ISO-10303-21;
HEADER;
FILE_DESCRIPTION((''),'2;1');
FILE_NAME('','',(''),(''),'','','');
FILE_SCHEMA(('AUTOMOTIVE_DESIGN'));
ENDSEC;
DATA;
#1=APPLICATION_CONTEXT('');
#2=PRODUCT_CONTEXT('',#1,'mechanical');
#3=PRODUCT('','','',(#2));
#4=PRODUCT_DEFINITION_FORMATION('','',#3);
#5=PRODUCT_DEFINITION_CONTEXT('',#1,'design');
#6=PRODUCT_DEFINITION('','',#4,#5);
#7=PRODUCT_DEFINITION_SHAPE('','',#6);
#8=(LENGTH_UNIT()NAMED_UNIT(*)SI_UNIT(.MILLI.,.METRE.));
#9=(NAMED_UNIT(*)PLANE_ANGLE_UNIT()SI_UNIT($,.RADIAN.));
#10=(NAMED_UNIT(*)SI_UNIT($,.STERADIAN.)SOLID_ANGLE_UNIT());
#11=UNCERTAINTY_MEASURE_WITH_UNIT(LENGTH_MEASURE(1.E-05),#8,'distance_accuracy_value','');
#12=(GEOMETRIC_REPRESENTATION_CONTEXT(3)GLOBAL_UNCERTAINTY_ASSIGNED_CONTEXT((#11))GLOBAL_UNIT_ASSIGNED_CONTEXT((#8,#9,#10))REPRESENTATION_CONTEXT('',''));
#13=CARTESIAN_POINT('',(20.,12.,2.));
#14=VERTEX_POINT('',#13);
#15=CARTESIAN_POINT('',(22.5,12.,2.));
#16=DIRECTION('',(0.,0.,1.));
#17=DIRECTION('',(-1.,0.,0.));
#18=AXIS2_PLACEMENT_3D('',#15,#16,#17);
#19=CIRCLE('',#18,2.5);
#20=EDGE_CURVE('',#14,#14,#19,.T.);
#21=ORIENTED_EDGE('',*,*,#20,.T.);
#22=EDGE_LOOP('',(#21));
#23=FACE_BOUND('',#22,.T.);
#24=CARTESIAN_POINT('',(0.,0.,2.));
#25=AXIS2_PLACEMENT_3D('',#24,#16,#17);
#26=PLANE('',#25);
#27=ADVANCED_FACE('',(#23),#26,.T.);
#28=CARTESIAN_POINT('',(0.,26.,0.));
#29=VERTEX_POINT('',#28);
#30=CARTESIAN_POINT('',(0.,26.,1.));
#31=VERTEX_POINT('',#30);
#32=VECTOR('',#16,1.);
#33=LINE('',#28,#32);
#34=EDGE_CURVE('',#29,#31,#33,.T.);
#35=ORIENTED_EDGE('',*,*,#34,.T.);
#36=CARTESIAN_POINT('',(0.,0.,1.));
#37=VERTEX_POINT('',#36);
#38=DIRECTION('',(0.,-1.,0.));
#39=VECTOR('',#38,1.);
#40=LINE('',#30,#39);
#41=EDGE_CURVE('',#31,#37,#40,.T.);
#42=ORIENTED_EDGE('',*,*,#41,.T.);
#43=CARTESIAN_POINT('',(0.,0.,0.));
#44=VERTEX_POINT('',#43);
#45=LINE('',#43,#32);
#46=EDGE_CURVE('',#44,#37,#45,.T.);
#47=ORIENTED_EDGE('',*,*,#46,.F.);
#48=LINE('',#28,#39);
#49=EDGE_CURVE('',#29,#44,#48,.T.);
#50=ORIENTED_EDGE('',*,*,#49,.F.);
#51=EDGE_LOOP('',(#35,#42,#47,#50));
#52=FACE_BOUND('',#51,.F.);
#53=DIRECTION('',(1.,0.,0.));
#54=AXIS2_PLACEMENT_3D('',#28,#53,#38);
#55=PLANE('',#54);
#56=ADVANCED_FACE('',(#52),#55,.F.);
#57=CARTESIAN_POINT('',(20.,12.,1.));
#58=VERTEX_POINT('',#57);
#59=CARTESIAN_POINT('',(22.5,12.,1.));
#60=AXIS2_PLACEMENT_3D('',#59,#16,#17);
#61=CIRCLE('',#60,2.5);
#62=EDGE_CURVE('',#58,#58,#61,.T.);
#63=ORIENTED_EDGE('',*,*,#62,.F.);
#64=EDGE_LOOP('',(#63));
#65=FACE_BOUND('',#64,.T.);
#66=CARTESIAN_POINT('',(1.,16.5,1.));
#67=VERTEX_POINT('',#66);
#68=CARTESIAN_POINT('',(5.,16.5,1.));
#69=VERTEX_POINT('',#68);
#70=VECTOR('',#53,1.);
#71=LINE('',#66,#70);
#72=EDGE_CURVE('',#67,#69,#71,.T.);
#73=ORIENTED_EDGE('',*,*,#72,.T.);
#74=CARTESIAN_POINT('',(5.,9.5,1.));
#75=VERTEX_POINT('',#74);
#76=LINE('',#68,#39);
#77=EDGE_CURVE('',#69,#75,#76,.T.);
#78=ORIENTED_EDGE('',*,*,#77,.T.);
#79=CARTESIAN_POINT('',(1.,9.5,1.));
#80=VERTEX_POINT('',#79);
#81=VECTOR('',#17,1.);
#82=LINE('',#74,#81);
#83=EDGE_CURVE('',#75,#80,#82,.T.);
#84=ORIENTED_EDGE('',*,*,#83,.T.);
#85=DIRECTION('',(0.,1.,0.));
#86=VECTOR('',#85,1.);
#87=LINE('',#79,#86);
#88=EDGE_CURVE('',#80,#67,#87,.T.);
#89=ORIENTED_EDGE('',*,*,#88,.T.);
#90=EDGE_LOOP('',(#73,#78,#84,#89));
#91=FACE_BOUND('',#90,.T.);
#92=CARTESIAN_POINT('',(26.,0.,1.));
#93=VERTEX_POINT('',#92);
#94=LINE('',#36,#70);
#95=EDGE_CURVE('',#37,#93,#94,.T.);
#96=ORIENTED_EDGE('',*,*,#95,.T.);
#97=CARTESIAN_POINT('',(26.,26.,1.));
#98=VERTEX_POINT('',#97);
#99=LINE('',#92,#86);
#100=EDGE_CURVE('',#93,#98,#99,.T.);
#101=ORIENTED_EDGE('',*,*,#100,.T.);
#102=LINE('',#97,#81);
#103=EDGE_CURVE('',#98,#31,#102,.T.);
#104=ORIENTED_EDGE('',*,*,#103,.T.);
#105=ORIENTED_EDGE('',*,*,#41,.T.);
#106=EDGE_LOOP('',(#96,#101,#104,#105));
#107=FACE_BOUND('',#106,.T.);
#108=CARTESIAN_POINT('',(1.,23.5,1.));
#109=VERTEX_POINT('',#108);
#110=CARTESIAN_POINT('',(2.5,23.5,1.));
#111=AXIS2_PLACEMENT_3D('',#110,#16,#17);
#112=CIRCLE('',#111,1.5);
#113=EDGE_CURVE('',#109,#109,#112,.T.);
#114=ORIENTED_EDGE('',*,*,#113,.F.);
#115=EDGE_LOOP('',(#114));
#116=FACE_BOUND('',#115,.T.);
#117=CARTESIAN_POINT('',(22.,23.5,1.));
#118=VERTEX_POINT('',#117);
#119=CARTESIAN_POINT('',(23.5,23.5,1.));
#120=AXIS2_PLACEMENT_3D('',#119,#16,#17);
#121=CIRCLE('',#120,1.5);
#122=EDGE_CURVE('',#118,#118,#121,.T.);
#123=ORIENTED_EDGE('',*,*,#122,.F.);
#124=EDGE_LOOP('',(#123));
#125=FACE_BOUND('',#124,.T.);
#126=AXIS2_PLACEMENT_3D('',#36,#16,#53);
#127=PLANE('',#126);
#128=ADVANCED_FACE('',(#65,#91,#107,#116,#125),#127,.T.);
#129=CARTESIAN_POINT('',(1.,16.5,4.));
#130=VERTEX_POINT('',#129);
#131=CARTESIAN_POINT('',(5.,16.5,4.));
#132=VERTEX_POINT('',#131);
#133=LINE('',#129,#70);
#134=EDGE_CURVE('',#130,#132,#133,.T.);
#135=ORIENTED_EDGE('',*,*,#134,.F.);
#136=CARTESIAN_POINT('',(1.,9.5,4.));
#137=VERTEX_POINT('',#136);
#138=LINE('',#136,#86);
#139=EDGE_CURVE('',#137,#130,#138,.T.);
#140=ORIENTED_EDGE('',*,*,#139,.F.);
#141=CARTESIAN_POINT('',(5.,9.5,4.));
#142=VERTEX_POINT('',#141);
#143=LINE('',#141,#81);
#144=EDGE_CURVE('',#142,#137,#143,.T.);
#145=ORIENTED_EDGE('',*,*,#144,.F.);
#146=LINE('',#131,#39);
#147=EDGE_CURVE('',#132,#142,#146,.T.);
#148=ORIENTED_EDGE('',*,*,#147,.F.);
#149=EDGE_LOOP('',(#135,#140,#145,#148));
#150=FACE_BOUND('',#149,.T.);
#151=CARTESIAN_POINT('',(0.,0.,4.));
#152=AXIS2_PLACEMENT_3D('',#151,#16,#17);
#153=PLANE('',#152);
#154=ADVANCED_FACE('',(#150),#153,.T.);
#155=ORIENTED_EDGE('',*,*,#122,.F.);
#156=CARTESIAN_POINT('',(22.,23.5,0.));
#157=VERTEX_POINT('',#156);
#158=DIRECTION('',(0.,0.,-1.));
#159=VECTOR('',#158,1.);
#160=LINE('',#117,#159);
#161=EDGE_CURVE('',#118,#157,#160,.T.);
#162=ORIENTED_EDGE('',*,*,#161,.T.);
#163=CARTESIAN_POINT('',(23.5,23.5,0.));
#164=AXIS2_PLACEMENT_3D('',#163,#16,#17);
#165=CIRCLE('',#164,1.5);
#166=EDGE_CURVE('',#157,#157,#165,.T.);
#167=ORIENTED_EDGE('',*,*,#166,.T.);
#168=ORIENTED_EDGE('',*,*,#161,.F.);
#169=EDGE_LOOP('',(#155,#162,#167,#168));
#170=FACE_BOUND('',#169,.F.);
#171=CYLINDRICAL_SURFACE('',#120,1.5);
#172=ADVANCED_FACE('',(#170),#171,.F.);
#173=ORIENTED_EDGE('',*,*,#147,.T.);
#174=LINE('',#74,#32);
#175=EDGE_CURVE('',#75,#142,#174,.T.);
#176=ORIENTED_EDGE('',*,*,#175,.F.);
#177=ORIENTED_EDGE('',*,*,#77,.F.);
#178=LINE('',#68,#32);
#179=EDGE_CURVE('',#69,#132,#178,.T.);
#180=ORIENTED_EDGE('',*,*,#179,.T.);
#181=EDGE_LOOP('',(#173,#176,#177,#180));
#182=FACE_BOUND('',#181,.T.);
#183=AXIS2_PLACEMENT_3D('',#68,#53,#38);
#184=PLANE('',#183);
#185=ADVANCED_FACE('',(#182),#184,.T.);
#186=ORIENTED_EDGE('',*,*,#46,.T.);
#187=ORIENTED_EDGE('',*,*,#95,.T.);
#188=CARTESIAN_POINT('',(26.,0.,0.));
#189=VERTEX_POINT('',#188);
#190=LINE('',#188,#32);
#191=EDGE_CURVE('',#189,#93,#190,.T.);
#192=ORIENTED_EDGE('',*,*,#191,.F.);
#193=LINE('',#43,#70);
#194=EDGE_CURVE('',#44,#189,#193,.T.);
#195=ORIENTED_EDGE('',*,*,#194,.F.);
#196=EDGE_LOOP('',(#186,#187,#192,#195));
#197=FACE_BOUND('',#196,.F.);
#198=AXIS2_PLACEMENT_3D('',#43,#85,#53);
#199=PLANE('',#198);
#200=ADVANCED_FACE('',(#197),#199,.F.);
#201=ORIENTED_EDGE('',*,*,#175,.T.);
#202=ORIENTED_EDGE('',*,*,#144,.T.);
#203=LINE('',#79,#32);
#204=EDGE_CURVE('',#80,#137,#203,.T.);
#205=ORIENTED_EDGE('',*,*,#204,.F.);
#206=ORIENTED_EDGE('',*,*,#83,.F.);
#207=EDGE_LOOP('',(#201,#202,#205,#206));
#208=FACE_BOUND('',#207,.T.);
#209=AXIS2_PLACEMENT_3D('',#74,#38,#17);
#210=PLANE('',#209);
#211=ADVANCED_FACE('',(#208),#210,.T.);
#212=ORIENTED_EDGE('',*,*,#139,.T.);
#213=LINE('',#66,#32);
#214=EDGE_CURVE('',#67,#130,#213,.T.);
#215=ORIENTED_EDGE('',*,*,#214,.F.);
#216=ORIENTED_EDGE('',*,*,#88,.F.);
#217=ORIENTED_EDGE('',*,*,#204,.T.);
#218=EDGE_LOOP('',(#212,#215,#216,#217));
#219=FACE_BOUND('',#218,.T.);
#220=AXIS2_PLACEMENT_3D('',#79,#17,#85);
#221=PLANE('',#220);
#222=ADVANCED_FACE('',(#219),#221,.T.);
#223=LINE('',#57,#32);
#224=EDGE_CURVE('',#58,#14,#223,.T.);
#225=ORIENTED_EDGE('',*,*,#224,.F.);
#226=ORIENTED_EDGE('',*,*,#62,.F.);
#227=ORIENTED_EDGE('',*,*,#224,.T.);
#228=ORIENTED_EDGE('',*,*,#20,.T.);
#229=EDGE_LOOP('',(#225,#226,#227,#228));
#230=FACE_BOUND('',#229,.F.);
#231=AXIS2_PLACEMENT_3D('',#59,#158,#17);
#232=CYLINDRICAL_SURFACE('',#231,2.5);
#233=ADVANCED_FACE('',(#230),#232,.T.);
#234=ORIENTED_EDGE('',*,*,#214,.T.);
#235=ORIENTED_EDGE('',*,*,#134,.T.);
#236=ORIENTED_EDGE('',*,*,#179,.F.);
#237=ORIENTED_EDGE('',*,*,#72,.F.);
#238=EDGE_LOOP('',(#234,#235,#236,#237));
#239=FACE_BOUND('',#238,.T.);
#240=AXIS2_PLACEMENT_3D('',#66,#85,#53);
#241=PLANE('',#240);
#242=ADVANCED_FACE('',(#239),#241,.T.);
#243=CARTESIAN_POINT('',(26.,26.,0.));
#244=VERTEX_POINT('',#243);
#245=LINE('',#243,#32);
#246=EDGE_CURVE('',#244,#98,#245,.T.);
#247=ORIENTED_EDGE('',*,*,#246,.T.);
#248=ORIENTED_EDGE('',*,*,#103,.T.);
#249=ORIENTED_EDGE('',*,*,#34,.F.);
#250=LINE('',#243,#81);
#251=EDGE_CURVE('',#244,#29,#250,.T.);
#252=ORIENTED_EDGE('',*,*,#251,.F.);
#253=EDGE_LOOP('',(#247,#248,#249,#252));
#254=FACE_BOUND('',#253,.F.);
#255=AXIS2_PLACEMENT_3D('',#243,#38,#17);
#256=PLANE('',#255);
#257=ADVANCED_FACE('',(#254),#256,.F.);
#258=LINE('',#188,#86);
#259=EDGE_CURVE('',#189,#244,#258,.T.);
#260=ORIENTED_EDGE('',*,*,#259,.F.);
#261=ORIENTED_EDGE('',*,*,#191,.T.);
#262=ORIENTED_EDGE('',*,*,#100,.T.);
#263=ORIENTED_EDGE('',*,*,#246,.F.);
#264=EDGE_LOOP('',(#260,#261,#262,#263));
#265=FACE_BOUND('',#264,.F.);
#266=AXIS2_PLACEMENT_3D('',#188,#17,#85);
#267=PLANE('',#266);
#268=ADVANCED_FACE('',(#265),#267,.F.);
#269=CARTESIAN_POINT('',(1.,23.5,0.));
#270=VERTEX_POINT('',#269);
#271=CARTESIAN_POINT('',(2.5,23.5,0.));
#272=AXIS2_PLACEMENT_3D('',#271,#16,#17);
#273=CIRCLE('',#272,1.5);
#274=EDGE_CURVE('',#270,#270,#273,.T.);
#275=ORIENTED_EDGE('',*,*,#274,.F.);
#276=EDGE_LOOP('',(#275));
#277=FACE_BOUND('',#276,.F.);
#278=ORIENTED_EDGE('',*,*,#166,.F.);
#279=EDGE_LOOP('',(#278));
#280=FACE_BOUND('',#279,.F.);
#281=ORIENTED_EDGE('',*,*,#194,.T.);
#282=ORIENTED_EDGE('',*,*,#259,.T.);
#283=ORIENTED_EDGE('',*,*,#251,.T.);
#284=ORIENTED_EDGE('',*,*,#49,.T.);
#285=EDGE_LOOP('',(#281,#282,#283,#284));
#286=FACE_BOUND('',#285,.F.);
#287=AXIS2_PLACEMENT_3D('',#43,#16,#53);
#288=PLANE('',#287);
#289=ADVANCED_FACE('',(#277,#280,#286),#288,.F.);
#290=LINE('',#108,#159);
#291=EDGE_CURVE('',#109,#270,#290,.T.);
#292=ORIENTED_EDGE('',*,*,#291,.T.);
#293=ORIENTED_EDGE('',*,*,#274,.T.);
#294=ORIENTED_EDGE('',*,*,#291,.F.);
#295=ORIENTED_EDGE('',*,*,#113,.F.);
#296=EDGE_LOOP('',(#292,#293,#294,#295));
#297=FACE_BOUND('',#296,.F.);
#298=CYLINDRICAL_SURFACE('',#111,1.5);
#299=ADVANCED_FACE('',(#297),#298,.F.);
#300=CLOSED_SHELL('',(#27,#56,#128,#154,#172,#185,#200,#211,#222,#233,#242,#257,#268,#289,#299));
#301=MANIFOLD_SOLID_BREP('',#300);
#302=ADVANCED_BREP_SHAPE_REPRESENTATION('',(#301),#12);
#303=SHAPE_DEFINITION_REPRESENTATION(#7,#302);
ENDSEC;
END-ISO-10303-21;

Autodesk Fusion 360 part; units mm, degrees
sketch "Sketch1" plane through (0, 0, 0) normal (0, 0, 1) x (1, 0, 0)
  line L0 (0, 0) -> (26, 0)
  line L1 (26, 0) -> (26, 26)
  line L2 (26, 26) -> (0, 26)
  line L3 (0, 26) -> (0, 0)
  dimension "d1" = 26
  dimension "d2" = 26
extrude "Extrude1" add sketch "Sketch1" along normal blind 1
sketch "Sketch2" plane through (0, 0, 1) normal (0, 0, 1) x (-1, 0, 0)
  line L0 (0, -26) -> (0, 0)
  line L1 (0, 0) -> (-26, 0)
  line L2 (-26, 0) -> (-26, -26)
  line L3 (-26, -26) -> (0, -26)
  circle A0 centre (-23.5, -23.5) radius 1.5
  circle A1 centre (-2.5, -23.5) radius 1.5
  dimension "d5" = 3
  dimension "d6" = 3
  dimension "d7" = 2.5
  dimension "d8" = 2.5
  dimension "d9" = 2.5
  dimension "d10" = 2.5
extrude "Extrude2" cut sketch "Sketch2" against normal blind 4 contours A0 | A1
sketch "Sketch3" plane through (0, 0, 1) normal (0, 0, 1) x (-1, 0, 0)
  circle A0 centre (-2.5, -23.5) radius 1.5
  circle A1 centre (-23.5, -23.5) radius 1.5
  line L0 (0, -26) -> (0, 0)
  line L1 (0, 0) -> (-26, 0)
  line L2 (-26, 0) -> (-26, -26)
  line L3 (-26, -26) -> (0, -26)
  line L4 (-1, -16.5) -> (-5, -16.5)
  line L5 (-5, -16.5) -> (-5, -9.5)
  line L6 (-5, -9.5) -> (-1, -9.5)
  line L7 (-1, -9.5) -> (-1, -16.5)
  dimension "d13" = 7
  dimension "d14" = 4
  dimension "d15" = 1
extrude "Extrude3" add sketch "Sketch3" along normal blind 3 contours L4 L5 L6 L7
sketch "Sketch4" plane through (0, 0, 1) normal (0, 0, 1) x (-1, 0, 0)
  line L0 (-1, -9.5) -> (-1, -16.5)
  line L1 (-1, -16.5) -> (-5, -16.5)
  line L2 (-5, -16.5) -> (-5, -9.5)
  line L3 (-5, -9.5) -> (-1, -9.5)
  circle A0 centre (-2.5, -23.5) radius 1.5
  circle A1 centre (-23.5, -23.5) radius 1.5
  line L4 (0, -26) -> (0, 0)
  line L5 (0, 0) -> (-26, 0)
  line L6 (-26, 0) -> (-26, -26)
  line L7 (-26, -26) -> (0, -26)
  circle A2 centre (-22.5, -12) radius 2.5
  dimension "d19" = 5
  dimension "d20" = 3.5
extrude "Extrude4" add sketch "Sketch4" along normal blind 1 contours A2
